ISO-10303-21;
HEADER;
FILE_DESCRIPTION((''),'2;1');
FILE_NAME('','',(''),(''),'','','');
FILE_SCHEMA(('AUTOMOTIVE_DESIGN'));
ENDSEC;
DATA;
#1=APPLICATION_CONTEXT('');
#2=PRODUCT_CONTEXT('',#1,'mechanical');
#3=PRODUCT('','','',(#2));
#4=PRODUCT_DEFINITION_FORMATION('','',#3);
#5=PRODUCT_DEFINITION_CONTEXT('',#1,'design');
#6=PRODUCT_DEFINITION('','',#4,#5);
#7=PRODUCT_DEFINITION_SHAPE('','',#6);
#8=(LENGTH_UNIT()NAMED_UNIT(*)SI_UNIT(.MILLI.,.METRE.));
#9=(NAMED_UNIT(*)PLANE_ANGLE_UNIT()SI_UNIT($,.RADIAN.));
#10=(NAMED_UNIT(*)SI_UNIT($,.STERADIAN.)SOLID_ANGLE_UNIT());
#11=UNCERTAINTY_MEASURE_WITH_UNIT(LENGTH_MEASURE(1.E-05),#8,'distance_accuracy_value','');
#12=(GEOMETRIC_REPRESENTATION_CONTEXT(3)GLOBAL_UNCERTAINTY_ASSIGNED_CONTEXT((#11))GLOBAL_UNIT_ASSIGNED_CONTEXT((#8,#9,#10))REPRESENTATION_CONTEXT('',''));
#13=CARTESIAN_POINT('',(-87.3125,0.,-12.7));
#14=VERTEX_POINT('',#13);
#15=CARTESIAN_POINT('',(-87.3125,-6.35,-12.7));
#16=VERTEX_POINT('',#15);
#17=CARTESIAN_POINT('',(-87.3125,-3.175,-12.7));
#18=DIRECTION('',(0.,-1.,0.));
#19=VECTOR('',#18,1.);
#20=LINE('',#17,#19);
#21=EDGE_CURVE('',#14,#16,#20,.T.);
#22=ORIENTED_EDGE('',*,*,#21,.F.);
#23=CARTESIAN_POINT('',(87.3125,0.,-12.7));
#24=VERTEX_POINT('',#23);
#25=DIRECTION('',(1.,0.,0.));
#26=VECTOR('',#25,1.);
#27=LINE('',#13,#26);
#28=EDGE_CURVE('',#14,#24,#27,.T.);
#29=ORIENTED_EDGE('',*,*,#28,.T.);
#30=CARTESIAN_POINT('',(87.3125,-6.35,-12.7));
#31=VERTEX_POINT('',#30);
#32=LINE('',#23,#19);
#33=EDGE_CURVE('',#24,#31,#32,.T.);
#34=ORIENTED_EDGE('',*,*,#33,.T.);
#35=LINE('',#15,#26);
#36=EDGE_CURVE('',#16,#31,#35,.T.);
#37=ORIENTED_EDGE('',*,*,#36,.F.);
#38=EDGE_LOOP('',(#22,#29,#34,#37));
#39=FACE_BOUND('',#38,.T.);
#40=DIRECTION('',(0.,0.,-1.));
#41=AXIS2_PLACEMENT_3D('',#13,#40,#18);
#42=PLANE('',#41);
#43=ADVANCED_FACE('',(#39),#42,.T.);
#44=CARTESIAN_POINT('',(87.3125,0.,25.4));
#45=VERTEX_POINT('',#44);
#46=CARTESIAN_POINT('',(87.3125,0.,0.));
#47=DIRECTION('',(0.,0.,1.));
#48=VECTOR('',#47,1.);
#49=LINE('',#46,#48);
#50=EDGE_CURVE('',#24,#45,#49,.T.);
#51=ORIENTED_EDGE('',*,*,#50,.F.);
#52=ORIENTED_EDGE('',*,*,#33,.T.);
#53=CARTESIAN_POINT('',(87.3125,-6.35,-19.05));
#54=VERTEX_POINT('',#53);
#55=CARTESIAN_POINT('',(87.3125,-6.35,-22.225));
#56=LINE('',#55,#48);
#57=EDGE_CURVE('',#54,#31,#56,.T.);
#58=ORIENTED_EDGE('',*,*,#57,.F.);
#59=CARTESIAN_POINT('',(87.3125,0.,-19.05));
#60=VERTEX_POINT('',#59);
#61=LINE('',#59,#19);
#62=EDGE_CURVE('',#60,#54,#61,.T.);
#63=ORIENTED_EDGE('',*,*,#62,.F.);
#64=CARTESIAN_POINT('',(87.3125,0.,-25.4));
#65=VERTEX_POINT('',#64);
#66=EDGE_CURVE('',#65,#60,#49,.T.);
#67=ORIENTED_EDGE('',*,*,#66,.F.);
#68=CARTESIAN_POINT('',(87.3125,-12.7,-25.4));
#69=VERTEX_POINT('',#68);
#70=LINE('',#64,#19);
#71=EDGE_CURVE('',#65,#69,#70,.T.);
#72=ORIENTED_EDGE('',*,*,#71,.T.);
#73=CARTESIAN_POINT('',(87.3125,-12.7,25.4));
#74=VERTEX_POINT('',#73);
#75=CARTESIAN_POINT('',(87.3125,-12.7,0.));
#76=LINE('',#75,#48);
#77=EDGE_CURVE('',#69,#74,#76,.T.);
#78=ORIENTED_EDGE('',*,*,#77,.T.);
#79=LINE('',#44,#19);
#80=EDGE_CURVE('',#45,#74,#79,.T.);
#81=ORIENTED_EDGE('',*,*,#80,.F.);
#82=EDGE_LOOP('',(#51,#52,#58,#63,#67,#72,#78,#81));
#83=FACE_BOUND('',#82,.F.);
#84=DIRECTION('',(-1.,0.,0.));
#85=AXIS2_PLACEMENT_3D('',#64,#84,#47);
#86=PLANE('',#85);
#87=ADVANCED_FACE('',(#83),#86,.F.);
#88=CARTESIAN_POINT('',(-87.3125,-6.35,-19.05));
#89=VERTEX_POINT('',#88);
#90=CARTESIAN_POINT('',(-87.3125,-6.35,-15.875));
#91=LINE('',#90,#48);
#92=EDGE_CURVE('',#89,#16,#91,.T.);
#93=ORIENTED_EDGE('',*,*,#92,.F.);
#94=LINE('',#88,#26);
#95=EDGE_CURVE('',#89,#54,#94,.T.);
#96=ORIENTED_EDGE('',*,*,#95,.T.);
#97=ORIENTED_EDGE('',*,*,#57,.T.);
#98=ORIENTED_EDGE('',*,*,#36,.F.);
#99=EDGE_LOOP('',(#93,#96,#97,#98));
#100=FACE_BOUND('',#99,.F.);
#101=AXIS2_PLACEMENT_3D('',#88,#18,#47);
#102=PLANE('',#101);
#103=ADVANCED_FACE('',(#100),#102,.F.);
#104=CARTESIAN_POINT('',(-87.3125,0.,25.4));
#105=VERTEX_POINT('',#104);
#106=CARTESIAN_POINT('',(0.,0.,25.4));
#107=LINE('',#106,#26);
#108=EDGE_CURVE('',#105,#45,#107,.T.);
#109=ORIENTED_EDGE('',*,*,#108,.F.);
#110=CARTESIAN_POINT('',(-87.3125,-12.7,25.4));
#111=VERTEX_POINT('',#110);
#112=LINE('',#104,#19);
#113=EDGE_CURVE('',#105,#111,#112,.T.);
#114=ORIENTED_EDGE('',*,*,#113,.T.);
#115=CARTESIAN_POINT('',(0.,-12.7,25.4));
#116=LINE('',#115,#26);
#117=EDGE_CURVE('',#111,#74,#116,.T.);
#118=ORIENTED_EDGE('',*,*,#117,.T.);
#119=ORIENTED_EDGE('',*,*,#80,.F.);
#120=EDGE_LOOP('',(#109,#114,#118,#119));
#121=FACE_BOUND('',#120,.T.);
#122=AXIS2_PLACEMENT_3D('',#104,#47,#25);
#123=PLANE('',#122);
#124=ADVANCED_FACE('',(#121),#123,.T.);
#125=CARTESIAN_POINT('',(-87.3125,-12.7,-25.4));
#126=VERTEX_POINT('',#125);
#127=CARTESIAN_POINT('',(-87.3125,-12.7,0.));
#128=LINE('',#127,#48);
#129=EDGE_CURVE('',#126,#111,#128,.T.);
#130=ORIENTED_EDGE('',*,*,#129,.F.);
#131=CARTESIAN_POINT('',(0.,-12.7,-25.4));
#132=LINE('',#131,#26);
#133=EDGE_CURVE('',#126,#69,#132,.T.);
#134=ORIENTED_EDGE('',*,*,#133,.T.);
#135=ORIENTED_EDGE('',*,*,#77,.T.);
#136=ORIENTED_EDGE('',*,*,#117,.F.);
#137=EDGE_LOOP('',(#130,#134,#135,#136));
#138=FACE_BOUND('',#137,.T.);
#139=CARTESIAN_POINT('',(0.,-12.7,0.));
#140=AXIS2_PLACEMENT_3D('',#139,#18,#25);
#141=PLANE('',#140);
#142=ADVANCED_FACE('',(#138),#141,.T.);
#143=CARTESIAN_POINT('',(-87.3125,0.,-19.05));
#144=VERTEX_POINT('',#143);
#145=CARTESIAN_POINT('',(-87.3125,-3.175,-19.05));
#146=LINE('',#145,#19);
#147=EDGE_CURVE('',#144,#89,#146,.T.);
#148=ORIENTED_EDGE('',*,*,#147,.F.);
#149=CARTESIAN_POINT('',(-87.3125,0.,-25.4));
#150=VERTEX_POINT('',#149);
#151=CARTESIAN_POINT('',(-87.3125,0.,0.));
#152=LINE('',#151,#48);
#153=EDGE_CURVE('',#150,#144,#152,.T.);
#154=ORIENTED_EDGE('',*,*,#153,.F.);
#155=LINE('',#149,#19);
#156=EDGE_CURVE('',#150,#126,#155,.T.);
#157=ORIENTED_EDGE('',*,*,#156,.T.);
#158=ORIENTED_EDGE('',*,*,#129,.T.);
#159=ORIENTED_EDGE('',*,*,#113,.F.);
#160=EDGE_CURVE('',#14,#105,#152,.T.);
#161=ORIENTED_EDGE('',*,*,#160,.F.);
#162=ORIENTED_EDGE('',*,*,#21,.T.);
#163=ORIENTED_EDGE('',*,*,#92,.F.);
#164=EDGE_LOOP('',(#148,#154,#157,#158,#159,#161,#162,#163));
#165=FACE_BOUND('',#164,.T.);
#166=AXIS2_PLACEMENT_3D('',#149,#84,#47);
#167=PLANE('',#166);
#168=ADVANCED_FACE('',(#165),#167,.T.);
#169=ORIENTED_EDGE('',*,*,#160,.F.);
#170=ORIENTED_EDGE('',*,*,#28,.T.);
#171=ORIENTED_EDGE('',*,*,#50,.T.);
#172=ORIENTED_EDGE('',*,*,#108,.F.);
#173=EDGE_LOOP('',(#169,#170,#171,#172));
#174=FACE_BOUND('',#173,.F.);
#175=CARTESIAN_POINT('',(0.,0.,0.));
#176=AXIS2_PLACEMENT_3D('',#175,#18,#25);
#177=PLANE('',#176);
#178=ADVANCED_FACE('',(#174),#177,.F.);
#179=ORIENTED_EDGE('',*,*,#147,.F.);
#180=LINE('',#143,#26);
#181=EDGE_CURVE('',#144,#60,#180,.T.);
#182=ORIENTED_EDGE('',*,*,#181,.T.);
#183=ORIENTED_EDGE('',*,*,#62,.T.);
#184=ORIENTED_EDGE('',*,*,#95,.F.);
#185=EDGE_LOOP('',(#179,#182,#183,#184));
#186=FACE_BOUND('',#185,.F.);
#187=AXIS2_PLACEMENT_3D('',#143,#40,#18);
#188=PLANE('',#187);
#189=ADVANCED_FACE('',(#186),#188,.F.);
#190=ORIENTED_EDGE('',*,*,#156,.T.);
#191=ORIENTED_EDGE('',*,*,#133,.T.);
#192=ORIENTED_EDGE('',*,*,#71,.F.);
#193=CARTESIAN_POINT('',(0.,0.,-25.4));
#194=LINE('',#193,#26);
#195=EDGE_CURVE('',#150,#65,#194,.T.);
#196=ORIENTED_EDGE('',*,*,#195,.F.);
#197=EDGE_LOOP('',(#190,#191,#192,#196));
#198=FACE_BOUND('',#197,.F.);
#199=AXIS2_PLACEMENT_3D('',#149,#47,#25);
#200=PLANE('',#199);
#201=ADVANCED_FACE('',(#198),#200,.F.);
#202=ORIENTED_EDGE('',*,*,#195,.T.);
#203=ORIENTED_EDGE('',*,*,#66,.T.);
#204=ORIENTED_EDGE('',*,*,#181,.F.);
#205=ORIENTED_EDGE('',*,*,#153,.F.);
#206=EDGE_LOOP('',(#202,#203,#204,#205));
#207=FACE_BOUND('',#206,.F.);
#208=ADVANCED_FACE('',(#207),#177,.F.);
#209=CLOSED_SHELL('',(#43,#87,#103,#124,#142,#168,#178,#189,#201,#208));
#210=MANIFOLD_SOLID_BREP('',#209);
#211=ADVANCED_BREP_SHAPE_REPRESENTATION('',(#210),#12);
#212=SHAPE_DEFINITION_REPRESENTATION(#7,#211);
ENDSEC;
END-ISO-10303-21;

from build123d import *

# Parameters (mm, degrees)
F0_W     = 174.625
F0_H     = 50.8
F1_DEPTH = 12.7
F2_W     = 6.35
F2_H     = 6.35
F3_DEPTH = 174.626


with BuildPart() as f1:
    # F0 (on Front) → F1 (new body)
    with BuildSketch(Plane.XZ):
        Rectangle(F0_W, F0_H)
    extrude(amount=F1_DEPTH)

    # F2 (on face) → F3 (cut, through all)
    with BuildSketch(Plane(origin=(-87.3125, 0, 0), x_dir=(0, -1, 0), z_dir=(-1, 0, 0))):
        with Locations((3.175, -15.875)):
            Rectangle(F2_W, F2_H)
    extrude(amount=-F3_DEPTH, mode=Mode.SUBTRACT)


solid = f1.part
